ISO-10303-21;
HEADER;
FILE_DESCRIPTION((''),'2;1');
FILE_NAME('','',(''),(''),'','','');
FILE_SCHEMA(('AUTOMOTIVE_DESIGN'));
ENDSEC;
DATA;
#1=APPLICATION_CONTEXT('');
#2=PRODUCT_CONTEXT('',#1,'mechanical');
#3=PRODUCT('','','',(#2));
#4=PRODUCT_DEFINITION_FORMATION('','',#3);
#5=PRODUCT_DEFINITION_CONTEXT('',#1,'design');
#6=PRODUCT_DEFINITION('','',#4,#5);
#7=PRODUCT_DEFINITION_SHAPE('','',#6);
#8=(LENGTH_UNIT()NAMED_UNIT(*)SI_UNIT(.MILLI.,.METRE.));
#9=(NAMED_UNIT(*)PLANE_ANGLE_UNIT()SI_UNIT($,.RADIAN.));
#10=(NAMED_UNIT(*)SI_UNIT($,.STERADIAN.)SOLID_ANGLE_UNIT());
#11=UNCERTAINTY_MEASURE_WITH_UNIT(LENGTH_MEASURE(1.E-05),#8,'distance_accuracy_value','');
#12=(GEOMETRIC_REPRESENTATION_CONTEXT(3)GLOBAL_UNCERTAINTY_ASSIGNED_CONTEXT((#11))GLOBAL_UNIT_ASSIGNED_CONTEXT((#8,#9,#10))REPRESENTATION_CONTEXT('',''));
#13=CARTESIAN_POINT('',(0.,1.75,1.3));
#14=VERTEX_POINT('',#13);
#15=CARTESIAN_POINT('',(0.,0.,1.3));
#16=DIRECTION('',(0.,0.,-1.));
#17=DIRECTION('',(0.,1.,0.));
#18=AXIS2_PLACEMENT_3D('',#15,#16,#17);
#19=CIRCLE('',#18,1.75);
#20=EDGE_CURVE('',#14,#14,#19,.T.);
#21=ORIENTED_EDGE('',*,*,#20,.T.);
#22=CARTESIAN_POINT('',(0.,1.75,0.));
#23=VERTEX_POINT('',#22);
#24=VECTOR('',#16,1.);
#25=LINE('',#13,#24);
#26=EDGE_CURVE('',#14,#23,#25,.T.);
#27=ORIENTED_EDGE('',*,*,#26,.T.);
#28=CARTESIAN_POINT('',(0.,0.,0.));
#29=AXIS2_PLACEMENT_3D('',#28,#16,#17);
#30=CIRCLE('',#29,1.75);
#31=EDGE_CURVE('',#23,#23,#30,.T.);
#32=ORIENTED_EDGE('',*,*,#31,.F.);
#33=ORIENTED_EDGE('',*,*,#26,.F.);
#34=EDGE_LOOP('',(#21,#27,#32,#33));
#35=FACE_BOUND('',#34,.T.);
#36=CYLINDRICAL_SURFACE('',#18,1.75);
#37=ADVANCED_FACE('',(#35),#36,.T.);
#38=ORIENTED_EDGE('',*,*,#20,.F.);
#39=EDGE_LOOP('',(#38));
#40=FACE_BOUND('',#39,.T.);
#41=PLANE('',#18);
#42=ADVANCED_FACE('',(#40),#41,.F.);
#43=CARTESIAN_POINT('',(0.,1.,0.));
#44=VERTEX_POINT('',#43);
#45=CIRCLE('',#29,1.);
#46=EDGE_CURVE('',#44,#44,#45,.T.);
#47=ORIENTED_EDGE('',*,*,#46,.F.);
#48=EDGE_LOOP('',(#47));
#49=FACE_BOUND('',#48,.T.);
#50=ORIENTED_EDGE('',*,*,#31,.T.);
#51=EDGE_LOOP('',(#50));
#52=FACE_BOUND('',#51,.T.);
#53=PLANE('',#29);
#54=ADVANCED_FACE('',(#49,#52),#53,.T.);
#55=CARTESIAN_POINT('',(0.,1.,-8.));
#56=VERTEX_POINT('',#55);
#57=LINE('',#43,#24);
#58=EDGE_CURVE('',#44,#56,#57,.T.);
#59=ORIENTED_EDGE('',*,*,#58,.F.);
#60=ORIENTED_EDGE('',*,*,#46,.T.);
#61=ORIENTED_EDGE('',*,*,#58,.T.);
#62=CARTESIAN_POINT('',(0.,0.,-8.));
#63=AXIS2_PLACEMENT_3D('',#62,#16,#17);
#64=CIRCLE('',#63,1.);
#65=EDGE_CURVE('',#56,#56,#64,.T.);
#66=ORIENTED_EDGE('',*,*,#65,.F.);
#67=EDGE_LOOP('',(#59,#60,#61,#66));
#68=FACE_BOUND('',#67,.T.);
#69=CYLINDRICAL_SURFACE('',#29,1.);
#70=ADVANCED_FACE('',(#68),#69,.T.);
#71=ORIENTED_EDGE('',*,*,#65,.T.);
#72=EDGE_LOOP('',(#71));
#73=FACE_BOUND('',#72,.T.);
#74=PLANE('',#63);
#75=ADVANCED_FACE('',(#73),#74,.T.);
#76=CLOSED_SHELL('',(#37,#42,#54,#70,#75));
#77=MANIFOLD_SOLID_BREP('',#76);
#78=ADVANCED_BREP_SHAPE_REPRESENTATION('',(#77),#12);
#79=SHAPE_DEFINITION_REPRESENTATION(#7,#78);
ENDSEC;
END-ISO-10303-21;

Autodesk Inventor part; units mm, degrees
ref_plane "YZ Plane" through (0, 0, 0) normal (1, 0, 0) x (0, 1, 0)
ref_plane "XZ Plane" through (0, 0, 0) normal (0, 1, 0) x (-1, 0, 0)
ref_plane "XY Plane" through (0, 0, 0) normal (0, 0, 1) x (1, 0, 0)
sketch "スケッチ2" plane through (0, 0, 0) normal (1, 0, 0) x (0, 1, 0)
  line L0 (0, 1.3) -> (1.75, 1.3)
  line L1 (1.75, 1.3) -> (1.75, 0)
  line L2 (1.75, 0) -> (1, 0)
  line L3 (1, 0) -> (1, -8)
  line L4 (1, -8) -> (0, -8)
  line L5 (0, 1.3) -> (0, -8)
  point P0 (0, 0)
  dimension "d0" = 1.3
  dimension "d1" = 8
  dimension "d2" = 1
  dimension "d3" = 1.75
revolve "回転1" add sketch "スケッチ2" angle 360 about axis through (0, 0, 1.3) along (0, 0, -1)
properties part number "ScrewM2L8"
